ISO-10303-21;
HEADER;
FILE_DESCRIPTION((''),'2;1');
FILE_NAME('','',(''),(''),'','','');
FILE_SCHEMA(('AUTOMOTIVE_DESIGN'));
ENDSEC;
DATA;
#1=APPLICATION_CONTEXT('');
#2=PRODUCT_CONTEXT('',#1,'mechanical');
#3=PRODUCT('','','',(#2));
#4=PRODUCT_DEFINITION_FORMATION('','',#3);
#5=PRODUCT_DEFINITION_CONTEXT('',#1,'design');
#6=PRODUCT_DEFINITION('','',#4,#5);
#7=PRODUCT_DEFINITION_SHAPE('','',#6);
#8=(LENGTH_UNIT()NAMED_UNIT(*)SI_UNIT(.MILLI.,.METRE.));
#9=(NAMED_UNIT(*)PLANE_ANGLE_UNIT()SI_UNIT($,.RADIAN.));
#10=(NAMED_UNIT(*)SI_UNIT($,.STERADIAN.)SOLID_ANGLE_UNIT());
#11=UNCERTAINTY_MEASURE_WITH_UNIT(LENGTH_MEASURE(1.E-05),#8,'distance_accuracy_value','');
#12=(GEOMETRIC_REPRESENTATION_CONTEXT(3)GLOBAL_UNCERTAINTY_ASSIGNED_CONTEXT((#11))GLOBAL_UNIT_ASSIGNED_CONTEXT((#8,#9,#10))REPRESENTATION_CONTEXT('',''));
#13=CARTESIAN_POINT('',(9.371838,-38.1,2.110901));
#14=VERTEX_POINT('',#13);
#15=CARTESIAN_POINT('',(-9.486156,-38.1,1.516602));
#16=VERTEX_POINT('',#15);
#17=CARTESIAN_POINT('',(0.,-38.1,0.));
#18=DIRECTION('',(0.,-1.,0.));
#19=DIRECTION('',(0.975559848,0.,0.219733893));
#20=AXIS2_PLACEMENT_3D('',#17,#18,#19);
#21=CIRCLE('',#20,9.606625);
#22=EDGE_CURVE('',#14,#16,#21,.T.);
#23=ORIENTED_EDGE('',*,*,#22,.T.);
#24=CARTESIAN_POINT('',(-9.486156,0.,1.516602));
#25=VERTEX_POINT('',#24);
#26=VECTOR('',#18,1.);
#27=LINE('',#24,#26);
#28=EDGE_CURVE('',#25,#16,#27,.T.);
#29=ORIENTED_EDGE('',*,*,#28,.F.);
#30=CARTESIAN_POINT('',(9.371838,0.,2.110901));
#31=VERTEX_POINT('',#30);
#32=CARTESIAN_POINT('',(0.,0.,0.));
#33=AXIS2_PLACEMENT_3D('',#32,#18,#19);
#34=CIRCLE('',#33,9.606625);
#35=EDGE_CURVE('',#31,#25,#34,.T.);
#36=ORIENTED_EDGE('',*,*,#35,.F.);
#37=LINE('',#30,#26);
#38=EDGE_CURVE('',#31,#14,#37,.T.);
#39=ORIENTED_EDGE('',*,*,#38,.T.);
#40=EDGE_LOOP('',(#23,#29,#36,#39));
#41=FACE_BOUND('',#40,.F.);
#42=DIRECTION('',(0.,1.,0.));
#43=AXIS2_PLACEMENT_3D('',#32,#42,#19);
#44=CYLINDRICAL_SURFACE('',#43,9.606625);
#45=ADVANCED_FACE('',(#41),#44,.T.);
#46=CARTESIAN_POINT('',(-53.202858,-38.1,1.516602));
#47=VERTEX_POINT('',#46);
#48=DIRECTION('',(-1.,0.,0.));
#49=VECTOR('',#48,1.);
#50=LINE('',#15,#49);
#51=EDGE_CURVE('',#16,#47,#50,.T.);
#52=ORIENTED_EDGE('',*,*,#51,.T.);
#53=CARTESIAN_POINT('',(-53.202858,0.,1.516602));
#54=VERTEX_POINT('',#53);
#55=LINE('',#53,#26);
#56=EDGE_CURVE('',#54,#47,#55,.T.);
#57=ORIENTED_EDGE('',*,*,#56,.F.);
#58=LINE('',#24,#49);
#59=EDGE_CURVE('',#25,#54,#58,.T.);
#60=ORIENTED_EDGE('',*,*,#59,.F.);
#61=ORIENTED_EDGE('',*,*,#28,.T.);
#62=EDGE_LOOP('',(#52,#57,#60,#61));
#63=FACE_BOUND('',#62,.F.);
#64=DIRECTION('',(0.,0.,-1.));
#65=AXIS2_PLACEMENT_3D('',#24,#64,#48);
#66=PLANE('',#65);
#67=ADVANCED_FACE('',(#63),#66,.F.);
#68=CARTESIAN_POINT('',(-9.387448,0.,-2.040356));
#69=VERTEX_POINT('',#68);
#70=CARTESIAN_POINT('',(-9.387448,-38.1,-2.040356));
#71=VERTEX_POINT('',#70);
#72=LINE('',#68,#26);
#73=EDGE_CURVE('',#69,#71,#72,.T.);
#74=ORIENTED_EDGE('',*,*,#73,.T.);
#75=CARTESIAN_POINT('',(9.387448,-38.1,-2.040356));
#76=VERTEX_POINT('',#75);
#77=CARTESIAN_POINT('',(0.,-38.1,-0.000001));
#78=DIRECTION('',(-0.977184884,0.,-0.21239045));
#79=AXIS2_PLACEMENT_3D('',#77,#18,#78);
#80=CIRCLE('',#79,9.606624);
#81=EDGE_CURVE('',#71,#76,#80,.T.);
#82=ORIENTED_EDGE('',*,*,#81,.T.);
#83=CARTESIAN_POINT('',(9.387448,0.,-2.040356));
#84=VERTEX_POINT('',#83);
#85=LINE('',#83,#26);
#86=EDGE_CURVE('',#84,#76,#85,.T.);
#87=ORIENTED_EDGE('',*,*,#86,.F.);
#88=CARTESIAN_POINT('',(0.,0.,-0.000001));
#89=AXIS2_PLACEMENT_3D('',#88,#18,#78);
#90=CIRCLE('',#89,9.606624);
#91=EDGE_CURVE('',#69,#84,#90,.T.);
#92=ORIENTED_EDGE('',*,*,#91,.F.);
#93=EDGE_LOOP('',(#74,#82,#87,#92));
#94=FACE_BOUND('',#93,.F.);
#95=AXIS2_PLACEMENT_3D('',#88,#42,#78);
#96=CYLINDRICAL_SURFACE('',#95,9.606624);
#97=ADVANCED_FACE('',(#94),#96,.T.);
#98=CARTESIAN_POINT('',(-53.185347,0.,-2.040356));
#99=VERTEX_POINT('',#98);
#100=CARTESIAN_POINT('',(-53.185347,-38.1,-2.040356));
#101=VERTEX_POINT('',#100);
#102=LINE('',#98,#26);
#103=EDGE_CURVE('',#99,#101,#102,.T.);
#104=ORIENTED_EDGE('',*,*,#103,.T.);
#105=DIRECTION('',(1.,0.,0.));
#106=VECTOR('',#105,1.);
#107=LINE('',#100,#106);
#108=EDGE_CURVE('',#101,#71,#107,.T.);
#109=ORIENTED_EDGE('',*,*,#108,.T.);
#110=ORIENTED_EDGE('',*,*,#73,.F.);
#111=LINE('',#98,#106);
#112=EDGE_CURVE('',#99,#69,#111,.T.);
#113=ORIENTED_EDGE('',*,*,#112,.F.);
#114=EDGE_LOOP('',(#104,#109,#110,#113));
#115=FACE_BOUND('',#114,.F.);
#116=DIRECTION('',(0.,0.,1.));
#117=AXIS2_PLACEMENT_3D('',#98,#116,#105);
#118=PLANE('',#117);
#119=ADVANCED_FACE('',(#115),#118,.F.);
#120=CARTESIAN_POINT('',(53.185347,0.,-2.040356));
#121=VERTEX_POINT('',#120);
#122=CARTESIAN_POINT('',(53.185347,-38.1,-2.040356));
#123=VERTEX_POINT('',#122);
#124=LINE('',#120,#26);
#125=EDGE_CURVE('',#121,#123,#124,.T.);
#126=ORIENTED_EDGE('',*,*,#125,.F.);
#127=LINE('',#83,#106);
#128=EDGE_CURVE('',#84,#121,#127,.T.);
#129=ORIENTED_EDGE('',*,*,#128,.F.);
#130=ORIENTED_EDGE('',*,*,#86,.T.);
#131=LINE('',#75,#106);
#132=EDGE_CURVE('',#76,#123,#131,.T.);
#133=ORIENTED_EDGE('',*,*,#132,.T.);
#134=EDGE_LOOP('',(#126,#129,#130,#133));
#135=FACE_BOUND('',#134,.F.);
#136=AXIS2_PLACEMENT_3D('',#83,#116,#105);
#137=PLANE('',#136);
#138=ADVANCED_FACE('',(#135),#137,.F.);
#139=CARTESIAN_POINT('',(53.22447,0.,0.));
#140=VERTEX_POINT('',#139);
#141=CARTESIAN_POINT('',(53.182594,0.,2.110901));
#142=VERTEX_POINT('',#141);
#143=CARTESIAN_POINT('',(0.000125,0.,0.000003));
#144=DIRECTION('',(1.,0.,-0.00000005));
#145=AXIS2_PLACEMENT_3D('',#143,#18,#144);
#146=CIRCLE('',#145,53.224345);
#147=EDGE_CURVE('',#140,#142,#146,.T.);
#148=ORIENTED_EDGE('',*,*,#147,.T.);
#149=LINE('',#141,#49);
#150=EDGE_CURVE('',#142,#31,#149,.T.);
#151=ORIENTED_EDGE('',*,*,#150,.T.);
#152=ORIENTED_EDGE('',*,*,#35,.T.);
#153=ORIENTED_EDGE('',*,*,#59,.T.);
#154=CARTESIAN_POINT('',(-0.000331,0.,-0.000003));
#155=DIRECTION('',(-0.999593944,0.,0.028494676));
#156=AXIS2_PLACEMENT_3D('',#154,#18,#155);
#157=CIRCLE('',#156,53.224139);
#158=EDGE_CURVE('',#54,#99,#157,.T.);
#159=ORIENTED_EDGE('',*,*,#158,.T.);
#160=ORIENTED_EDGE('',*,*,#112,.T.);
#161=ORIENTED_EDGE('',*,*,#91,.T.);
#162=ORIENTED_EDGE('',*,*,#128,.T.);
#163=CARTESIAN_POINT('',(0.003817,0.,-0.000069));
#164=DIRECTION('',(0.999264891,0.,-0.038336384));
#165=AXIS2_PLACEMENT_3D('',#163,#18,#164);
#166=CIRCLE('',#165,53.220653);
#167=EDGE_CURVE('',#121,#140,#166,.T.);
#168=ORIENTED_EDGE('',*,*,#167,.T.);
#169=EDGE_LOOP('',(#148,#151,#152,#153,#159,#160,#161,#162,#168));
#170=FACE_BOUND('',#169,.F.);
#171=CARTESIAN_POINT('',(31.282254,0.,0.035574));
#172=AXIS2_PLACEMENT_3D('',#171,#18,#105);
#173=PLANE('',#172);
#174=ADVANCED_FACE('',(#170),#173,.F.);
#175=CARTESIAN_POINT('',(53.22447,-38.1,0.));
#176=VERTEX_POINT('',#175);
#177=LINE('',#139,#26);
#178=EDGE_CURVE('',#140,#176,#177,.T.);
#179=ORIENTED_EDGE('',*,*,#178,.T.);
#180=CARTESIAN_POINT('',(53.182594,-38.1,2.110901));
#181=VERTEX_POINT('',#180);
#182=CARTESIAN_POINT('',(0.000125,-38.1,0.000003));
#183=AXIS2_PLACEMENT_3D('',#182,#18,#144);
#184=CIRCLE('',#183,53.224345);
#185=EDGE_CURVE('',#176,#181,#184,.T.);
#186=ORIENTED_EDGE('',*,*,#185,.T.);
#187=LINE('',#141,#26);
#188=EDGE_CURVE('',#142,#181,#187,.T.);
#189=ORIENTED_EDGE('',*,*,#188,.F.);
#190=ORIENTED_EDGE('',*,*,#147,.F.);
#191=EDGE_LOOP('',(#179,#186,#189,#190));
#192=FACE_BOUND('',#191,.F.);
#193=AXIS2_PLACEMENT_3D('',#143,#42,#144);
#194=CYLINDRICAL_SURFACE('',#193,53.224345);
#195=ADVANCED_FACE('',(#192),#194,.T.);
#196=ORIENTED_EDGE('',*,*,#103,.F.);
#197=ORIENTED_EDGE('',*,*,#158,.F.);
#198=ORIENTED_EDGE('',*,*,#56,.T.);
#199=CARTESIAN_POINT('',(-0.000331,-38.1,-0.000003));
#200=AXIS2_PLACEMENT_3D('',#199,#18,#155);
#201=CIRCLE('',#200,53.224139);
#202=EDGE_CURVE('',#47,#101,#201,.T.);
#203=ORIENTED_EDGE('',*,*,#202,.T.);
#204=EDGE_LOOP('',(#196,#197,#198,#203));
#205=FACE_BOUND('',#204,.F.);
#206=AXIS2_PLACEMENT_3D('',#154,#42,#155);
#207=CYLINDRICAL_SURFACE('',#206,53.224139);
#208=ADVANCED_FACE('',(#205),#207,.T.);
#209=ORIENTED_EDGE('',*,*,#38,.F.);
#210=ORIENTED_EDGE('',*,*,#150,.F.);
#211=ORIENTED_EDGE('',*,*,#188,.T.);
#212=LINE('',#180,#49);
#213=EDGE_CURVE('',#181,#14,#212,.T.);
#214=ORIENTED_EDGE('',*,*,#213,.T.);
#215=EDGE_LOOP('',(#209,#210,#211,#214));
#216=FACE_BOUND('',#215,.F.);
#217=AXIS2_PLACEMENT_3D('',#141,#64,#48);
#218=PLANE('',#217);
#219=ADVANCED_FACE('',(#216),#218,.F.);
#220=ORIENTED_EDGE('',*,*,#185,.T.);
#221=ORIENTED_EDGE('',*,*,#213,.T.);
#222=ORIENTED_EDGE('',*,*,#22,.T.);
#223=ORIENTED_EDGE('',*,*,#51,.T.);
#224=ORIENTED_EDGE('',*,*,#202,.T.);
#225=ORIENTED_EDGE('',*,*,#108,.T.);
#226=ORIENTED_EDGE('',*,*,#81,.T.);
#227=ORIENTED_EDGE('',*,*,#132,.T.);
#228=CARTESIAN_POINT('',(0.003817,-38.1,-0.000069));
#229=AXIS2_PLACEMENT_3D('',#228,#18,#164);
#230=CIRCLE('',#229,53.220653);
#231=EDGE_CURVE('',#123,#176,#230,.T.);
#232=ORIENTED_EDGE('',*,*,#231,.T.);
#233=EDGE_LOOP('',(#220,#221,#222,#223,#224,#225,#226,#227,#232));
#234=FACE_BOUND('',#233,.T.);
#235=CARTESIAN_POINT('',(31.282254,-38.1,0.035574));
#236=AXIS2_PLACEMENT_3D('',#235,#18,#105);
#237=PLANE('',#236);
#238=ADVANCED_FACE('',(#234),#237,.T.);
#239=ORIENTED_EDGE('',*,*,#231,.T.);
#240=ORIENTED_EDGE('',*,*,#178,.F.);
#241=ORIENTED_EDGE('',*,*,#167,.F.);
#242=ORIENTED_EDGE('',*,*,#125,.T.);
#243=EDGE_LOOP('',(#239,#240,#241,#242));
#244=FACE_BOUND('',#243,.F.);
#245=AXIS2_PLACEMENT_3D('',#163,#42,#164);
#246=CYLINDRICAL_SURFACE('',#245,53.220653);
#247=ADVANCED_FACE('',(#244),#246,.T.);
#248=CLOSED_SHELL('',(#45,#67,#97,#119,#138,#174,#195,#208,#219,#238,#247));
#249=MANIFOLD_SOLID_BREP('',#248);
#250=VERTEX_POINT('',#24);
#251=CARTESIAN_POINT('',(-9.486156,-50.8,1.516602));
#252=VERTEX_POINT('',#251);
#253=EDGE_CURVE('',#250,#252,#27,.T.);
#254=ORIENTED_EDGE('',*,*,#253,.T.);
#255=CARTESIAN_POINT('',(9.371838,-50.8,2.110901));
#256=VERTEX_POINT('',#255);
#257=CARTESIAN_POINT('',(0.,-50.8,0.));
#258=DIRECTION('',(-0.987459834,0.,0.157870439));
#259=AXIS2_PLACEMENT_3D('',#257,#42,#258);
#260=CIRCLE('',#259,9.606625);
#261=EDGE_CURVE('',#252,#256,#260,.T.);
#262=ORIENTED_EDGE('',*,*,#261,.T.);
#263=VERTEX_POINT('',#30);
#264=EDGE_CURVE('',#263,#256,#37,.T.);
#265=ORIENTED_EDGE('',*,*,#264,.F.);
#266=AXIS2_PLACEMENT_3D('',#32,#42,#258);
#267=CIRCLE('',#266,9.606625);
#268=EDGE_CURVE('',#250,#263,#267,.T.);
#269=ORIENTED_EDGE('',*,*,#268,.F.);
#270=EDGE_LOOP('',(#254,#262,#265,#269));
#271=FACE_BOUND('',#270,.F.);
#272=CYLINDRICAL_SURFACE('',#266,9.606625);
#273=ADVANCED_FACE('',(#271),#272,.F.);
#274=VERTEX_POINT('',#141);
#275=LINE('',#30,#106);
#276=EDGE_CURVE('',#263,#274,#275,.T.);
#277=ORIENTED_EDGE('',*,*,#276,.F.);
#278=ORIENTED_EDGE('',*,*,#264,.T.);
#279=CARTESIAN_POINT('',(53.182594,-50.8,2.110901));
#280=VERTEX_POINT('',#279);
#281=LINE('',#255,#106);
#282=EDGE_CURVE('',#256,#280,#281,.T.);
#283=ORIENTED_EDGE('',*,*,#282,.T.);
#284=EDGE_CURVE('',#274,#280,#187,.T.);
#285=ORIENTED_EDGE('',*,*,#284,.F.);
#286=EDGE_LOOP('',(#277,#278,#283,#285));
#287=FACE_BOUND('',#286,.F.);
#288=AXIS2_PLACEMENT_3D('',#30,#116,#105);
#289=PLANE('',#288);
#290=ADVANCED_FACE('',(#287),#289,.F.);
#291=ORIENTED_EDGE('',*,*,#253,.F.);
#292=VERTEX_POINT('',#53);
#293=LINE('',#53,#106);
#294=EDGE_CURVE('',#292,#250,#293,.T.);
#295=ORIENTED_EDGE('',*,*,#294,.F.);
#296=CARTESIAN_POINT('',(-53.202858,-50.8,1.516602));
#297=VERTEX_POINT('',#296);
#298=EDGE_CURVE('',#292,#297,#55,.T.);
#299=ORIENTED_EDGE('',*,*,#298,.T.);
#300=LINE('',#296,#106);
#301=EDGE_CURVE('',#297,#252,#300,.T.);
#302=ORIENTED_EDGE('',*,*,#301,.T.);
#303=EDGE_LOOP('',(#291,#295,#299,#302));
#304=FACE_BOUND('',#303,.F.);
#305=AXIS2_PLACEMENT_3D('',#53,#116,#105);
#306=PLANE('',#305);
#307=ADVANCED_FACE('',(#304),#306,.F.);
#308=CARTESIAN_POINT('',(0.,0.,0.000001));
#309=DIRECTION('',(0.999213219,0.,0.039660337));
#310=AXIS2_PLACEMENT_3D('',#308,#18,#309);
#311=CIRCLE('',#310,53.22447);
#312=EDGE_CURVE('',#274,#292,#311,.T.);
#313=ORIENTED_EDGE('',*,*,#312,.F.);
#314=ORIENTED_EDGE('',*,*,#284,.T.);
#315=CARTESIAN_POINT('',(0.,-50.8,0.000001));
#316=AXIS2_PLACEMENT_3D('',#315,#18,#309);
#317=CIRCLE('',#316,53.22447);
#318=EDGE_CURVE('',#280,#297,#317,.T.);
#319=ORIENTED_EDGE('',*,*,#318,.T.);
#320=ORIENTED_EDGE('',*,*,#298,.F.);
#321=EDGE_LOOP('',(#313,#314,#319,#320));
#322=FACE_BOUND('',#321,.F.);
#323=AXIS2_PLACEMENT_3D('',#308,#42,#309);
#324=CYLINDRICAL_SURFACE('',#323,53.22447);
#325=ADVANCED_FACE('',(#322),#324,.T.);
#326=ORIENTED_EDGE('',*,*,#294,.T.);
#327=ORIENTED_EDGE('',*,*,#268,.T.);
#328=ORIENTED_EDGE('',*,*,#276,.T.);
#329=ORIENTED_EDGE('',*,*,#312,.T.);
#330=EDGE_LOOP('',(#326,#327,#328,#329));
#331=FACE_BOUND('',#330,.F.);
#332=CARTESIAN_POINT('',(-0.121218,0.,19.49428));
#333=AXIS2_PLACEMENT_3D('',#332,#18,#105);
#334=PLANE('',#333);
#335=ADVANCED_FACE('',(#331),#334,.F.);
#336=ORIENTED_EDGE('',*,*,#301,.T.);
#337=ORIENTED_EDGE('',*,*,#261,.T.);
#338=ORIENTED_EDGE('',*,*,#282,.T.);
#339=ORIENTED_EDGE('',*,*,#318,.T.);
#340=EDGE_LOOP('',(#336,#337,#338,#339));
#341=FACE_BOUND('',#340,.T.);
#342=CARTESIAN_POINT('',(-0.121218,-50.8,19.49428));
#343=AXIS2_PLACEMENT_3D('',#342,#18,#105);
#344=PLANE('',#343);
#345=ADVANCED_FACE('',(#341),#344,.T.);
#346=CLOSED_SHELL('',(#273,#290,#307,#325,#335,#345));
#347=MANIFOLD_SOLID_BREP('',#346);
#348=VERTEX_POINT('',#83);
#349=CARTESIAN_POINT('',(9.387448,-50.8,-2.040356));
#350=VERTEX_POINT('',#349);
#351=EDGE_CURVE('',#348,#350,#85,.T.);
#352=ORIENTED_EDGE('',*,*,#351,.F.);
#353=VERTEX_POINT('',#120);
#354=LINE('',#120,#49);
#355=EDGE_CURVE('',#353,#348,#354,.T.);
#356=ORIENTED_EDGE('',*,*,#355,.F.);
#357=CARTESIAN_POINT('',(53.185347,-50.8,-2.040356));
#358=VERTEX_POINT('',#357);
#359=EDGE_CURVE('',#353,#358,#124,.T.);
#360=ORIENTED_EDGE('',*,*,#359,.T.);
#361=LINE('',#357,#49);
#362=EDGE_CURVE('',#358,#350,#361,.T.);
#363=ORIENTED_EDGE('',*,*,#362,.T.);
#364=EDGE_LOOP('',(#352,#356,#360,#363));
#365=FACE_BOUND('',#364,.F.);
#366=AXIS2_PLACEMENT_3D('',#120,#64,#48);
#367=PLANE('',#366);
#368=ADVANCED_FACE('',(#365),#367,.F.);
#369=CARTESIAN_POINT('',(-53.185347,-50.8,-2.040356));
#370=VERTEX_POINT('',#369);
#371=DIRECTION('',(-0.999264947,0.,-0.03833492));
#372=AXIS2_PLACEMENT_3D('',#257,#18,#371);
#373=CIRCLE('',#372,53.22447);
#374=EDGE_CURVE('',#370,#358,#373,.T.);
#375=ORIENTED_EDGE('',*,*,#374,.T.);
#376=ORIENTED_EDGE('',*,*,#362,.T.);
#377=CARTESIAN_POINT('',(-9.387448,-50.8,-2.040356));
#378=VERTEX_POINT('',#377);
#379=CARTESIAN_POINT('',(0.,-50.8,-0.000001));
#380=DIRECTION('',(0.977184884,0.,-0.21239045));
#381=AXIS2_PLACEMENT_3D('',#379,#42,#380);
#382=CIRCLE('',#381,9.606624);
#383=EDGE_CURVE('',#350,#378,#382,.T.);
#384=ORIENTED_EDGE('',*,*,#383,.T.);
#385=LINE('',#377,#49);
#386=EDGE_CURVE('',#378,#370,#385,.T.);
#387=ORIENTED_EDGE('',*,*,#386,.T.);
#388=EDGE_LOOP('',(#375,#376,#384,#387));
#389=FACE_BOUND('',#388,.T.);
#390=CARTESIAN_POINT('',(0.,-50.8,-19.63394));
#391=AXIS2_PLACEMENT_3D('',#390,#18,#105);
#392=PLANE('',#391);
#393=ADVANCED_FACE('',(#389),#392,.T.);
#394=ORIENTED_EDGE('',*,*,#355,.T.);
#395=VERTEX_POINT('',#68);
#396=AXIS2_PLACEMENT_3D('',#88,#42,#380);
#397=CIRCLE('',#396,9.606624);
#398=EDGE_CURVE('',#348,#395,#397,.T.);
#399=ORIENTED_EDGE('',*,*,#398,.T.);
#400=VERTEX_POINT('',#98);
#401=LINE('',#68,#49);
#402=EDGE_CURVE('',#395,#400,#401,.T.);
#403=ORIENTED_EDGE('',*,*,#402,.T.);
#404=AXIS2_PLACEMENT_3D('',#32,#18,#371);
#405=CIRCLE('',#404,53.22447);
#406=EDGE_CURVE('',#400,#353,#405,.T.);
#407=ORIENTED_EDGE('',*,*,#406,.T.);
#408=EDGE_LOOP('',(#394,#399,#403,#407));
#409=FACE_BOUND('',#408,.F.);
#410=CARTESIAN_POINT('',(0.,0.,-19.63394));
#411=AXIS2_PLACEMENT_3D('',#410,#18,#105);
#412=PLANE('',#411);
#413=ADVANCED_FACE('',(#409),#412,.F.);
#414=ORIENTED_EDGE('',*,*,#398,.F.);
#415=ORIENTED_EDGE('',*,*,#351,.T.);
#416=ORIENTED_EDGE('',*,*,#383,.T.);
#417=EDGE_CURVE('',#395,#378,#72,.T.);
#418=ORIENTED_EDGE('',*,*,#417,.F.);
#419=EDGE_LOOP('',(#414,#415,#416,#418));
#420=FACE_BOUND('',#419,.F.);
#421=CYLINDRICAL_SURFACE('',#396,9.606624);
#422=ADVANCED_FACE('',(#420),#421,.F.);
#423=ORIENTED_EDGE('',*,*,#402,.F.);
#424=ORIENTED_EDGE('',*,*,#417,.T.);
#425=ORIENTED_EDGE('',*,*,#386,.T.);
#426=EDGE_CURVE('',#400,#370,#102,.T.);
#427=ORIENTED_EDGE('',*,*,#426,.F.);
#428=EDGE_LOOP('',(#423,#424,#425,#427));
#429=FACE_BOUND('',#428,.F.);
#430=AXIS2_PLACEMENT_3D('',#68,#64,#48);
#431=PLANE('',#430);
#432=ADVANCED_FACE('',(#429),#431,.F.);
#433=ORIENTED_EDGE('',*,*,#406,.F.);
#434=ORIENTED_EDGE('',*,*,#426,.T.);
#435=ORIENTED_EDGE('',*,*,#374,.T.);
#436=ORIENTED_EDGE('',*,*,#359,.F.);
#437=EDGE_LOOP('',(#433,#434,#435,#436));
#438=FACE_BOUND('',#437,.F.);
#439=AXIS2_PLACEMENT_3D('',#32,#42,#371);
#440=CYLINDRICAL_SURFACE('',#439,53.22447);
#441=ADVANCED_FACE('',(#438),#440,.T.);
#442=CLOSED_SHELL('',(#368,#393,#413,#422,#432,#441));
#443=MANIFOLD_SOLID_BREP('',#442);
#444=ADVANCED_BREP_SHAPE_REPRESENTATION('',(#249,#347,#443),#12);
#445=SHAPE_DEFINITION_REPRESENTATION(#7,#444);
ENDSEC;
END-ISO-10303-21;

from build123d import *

# Parameters (mm, degrees)
F1_DEPTH = 50.8
F2_DEPTH = 38.1


with BuildPart() as f1:
    # F0 (on Front) → F1 (new body)
    with BuildSketch(Plane.XZ):
        with BuildLine():
            Line((9.371838, 2.110901), (53.182594, 2.110901))
            ThreePointArc((53.182594, 2.110901), (-0.297322, 53.22364), (-53.202858, 1.516602))
            Line((-53.202858, 1.516602), (-9.486156, 1.516602))
            ThreePointArc((-9.486156, 1.516602), (-0.302597, 9.601858), (9.371838, 2.110901))
        make_face()
        with BuildLine():
            ThreePointArc((-53.185347, -2.040356), (0, -53.22447), (53.185347, -2.040356))
            Line((53.185347, -2.040356), (9.387448, -2.040356))
            ThreePointArc((9.387448, -2.040356), (0, -9.606625), (-9.387448, -2.040356))
            Line((-9.387448, -2.040356), (-53.185347, -2.040356))
        make_face()
    extrude(amount=F1_DEPTH)


with BuildPart() as f2:
    # F0 (on Front) → F2 (new body)
    with BuildSketch(Plane.XZ):
        with BuildLine():
            ThreePointArc((53.185347, -2.040356), (53.214689, -1.020366), (53.22447, 0))
            ThreePointArc((53.22447, 0), (53.214, 1.055658), (53.182594, 2.110901))
            Line((53.182594, 2.110901), (9.371838, 2.110901))
            ThreePointArc((9.371838, 2.110901), (9.547748, 1.061959), (9.606625, 0))
            ThreePointArc((9.606625, 0), (9.551674, -1.026047), (9.387448, -2.040356))
            Line((9.387448, -2.040356), (53.185347, -2.040356))
        make_face()
        with BuildLine():
            ThreePointArc((9.606625, 0), (9.547748, 1.061959), (9.371838, 2.110901))
            ThreePointArc((9.371838, 2.110901), (-0.302597, 9.601858), (-9.486156, 1.516602))
            ThreePointArc((-9.486156, 1.516602), (-9.602928, -0.266487), (-9.387448, -2.040356))
            ThreePointArc((-9.387448, -2.040356), (0, -9.606625), (9.387448, -2.040356))
            ThreePointArc((9.387448, -2.040356), (9.551674, -1.026047), (9.606625, 0))
        make_face()
        with BuildLine():
            Line((-9.486156, 1.516602), (-53.202858, 1.516602))
            ThreePointArc((-53.202858, 1.516602), (-53.223825, -0.262024), (-53.185347, -2.040356))
            Line((-53.185347, -2.040356), (-9.387448, -2.040356))
            ThreePointArc((-9.387448, -2.040356), (-9.602928, -0.266487), (-9.486156, 1.516602))
        make_face()
    extrude(amount=F2_DEPTH)


solid = Compound([f1.part, f2.part])
